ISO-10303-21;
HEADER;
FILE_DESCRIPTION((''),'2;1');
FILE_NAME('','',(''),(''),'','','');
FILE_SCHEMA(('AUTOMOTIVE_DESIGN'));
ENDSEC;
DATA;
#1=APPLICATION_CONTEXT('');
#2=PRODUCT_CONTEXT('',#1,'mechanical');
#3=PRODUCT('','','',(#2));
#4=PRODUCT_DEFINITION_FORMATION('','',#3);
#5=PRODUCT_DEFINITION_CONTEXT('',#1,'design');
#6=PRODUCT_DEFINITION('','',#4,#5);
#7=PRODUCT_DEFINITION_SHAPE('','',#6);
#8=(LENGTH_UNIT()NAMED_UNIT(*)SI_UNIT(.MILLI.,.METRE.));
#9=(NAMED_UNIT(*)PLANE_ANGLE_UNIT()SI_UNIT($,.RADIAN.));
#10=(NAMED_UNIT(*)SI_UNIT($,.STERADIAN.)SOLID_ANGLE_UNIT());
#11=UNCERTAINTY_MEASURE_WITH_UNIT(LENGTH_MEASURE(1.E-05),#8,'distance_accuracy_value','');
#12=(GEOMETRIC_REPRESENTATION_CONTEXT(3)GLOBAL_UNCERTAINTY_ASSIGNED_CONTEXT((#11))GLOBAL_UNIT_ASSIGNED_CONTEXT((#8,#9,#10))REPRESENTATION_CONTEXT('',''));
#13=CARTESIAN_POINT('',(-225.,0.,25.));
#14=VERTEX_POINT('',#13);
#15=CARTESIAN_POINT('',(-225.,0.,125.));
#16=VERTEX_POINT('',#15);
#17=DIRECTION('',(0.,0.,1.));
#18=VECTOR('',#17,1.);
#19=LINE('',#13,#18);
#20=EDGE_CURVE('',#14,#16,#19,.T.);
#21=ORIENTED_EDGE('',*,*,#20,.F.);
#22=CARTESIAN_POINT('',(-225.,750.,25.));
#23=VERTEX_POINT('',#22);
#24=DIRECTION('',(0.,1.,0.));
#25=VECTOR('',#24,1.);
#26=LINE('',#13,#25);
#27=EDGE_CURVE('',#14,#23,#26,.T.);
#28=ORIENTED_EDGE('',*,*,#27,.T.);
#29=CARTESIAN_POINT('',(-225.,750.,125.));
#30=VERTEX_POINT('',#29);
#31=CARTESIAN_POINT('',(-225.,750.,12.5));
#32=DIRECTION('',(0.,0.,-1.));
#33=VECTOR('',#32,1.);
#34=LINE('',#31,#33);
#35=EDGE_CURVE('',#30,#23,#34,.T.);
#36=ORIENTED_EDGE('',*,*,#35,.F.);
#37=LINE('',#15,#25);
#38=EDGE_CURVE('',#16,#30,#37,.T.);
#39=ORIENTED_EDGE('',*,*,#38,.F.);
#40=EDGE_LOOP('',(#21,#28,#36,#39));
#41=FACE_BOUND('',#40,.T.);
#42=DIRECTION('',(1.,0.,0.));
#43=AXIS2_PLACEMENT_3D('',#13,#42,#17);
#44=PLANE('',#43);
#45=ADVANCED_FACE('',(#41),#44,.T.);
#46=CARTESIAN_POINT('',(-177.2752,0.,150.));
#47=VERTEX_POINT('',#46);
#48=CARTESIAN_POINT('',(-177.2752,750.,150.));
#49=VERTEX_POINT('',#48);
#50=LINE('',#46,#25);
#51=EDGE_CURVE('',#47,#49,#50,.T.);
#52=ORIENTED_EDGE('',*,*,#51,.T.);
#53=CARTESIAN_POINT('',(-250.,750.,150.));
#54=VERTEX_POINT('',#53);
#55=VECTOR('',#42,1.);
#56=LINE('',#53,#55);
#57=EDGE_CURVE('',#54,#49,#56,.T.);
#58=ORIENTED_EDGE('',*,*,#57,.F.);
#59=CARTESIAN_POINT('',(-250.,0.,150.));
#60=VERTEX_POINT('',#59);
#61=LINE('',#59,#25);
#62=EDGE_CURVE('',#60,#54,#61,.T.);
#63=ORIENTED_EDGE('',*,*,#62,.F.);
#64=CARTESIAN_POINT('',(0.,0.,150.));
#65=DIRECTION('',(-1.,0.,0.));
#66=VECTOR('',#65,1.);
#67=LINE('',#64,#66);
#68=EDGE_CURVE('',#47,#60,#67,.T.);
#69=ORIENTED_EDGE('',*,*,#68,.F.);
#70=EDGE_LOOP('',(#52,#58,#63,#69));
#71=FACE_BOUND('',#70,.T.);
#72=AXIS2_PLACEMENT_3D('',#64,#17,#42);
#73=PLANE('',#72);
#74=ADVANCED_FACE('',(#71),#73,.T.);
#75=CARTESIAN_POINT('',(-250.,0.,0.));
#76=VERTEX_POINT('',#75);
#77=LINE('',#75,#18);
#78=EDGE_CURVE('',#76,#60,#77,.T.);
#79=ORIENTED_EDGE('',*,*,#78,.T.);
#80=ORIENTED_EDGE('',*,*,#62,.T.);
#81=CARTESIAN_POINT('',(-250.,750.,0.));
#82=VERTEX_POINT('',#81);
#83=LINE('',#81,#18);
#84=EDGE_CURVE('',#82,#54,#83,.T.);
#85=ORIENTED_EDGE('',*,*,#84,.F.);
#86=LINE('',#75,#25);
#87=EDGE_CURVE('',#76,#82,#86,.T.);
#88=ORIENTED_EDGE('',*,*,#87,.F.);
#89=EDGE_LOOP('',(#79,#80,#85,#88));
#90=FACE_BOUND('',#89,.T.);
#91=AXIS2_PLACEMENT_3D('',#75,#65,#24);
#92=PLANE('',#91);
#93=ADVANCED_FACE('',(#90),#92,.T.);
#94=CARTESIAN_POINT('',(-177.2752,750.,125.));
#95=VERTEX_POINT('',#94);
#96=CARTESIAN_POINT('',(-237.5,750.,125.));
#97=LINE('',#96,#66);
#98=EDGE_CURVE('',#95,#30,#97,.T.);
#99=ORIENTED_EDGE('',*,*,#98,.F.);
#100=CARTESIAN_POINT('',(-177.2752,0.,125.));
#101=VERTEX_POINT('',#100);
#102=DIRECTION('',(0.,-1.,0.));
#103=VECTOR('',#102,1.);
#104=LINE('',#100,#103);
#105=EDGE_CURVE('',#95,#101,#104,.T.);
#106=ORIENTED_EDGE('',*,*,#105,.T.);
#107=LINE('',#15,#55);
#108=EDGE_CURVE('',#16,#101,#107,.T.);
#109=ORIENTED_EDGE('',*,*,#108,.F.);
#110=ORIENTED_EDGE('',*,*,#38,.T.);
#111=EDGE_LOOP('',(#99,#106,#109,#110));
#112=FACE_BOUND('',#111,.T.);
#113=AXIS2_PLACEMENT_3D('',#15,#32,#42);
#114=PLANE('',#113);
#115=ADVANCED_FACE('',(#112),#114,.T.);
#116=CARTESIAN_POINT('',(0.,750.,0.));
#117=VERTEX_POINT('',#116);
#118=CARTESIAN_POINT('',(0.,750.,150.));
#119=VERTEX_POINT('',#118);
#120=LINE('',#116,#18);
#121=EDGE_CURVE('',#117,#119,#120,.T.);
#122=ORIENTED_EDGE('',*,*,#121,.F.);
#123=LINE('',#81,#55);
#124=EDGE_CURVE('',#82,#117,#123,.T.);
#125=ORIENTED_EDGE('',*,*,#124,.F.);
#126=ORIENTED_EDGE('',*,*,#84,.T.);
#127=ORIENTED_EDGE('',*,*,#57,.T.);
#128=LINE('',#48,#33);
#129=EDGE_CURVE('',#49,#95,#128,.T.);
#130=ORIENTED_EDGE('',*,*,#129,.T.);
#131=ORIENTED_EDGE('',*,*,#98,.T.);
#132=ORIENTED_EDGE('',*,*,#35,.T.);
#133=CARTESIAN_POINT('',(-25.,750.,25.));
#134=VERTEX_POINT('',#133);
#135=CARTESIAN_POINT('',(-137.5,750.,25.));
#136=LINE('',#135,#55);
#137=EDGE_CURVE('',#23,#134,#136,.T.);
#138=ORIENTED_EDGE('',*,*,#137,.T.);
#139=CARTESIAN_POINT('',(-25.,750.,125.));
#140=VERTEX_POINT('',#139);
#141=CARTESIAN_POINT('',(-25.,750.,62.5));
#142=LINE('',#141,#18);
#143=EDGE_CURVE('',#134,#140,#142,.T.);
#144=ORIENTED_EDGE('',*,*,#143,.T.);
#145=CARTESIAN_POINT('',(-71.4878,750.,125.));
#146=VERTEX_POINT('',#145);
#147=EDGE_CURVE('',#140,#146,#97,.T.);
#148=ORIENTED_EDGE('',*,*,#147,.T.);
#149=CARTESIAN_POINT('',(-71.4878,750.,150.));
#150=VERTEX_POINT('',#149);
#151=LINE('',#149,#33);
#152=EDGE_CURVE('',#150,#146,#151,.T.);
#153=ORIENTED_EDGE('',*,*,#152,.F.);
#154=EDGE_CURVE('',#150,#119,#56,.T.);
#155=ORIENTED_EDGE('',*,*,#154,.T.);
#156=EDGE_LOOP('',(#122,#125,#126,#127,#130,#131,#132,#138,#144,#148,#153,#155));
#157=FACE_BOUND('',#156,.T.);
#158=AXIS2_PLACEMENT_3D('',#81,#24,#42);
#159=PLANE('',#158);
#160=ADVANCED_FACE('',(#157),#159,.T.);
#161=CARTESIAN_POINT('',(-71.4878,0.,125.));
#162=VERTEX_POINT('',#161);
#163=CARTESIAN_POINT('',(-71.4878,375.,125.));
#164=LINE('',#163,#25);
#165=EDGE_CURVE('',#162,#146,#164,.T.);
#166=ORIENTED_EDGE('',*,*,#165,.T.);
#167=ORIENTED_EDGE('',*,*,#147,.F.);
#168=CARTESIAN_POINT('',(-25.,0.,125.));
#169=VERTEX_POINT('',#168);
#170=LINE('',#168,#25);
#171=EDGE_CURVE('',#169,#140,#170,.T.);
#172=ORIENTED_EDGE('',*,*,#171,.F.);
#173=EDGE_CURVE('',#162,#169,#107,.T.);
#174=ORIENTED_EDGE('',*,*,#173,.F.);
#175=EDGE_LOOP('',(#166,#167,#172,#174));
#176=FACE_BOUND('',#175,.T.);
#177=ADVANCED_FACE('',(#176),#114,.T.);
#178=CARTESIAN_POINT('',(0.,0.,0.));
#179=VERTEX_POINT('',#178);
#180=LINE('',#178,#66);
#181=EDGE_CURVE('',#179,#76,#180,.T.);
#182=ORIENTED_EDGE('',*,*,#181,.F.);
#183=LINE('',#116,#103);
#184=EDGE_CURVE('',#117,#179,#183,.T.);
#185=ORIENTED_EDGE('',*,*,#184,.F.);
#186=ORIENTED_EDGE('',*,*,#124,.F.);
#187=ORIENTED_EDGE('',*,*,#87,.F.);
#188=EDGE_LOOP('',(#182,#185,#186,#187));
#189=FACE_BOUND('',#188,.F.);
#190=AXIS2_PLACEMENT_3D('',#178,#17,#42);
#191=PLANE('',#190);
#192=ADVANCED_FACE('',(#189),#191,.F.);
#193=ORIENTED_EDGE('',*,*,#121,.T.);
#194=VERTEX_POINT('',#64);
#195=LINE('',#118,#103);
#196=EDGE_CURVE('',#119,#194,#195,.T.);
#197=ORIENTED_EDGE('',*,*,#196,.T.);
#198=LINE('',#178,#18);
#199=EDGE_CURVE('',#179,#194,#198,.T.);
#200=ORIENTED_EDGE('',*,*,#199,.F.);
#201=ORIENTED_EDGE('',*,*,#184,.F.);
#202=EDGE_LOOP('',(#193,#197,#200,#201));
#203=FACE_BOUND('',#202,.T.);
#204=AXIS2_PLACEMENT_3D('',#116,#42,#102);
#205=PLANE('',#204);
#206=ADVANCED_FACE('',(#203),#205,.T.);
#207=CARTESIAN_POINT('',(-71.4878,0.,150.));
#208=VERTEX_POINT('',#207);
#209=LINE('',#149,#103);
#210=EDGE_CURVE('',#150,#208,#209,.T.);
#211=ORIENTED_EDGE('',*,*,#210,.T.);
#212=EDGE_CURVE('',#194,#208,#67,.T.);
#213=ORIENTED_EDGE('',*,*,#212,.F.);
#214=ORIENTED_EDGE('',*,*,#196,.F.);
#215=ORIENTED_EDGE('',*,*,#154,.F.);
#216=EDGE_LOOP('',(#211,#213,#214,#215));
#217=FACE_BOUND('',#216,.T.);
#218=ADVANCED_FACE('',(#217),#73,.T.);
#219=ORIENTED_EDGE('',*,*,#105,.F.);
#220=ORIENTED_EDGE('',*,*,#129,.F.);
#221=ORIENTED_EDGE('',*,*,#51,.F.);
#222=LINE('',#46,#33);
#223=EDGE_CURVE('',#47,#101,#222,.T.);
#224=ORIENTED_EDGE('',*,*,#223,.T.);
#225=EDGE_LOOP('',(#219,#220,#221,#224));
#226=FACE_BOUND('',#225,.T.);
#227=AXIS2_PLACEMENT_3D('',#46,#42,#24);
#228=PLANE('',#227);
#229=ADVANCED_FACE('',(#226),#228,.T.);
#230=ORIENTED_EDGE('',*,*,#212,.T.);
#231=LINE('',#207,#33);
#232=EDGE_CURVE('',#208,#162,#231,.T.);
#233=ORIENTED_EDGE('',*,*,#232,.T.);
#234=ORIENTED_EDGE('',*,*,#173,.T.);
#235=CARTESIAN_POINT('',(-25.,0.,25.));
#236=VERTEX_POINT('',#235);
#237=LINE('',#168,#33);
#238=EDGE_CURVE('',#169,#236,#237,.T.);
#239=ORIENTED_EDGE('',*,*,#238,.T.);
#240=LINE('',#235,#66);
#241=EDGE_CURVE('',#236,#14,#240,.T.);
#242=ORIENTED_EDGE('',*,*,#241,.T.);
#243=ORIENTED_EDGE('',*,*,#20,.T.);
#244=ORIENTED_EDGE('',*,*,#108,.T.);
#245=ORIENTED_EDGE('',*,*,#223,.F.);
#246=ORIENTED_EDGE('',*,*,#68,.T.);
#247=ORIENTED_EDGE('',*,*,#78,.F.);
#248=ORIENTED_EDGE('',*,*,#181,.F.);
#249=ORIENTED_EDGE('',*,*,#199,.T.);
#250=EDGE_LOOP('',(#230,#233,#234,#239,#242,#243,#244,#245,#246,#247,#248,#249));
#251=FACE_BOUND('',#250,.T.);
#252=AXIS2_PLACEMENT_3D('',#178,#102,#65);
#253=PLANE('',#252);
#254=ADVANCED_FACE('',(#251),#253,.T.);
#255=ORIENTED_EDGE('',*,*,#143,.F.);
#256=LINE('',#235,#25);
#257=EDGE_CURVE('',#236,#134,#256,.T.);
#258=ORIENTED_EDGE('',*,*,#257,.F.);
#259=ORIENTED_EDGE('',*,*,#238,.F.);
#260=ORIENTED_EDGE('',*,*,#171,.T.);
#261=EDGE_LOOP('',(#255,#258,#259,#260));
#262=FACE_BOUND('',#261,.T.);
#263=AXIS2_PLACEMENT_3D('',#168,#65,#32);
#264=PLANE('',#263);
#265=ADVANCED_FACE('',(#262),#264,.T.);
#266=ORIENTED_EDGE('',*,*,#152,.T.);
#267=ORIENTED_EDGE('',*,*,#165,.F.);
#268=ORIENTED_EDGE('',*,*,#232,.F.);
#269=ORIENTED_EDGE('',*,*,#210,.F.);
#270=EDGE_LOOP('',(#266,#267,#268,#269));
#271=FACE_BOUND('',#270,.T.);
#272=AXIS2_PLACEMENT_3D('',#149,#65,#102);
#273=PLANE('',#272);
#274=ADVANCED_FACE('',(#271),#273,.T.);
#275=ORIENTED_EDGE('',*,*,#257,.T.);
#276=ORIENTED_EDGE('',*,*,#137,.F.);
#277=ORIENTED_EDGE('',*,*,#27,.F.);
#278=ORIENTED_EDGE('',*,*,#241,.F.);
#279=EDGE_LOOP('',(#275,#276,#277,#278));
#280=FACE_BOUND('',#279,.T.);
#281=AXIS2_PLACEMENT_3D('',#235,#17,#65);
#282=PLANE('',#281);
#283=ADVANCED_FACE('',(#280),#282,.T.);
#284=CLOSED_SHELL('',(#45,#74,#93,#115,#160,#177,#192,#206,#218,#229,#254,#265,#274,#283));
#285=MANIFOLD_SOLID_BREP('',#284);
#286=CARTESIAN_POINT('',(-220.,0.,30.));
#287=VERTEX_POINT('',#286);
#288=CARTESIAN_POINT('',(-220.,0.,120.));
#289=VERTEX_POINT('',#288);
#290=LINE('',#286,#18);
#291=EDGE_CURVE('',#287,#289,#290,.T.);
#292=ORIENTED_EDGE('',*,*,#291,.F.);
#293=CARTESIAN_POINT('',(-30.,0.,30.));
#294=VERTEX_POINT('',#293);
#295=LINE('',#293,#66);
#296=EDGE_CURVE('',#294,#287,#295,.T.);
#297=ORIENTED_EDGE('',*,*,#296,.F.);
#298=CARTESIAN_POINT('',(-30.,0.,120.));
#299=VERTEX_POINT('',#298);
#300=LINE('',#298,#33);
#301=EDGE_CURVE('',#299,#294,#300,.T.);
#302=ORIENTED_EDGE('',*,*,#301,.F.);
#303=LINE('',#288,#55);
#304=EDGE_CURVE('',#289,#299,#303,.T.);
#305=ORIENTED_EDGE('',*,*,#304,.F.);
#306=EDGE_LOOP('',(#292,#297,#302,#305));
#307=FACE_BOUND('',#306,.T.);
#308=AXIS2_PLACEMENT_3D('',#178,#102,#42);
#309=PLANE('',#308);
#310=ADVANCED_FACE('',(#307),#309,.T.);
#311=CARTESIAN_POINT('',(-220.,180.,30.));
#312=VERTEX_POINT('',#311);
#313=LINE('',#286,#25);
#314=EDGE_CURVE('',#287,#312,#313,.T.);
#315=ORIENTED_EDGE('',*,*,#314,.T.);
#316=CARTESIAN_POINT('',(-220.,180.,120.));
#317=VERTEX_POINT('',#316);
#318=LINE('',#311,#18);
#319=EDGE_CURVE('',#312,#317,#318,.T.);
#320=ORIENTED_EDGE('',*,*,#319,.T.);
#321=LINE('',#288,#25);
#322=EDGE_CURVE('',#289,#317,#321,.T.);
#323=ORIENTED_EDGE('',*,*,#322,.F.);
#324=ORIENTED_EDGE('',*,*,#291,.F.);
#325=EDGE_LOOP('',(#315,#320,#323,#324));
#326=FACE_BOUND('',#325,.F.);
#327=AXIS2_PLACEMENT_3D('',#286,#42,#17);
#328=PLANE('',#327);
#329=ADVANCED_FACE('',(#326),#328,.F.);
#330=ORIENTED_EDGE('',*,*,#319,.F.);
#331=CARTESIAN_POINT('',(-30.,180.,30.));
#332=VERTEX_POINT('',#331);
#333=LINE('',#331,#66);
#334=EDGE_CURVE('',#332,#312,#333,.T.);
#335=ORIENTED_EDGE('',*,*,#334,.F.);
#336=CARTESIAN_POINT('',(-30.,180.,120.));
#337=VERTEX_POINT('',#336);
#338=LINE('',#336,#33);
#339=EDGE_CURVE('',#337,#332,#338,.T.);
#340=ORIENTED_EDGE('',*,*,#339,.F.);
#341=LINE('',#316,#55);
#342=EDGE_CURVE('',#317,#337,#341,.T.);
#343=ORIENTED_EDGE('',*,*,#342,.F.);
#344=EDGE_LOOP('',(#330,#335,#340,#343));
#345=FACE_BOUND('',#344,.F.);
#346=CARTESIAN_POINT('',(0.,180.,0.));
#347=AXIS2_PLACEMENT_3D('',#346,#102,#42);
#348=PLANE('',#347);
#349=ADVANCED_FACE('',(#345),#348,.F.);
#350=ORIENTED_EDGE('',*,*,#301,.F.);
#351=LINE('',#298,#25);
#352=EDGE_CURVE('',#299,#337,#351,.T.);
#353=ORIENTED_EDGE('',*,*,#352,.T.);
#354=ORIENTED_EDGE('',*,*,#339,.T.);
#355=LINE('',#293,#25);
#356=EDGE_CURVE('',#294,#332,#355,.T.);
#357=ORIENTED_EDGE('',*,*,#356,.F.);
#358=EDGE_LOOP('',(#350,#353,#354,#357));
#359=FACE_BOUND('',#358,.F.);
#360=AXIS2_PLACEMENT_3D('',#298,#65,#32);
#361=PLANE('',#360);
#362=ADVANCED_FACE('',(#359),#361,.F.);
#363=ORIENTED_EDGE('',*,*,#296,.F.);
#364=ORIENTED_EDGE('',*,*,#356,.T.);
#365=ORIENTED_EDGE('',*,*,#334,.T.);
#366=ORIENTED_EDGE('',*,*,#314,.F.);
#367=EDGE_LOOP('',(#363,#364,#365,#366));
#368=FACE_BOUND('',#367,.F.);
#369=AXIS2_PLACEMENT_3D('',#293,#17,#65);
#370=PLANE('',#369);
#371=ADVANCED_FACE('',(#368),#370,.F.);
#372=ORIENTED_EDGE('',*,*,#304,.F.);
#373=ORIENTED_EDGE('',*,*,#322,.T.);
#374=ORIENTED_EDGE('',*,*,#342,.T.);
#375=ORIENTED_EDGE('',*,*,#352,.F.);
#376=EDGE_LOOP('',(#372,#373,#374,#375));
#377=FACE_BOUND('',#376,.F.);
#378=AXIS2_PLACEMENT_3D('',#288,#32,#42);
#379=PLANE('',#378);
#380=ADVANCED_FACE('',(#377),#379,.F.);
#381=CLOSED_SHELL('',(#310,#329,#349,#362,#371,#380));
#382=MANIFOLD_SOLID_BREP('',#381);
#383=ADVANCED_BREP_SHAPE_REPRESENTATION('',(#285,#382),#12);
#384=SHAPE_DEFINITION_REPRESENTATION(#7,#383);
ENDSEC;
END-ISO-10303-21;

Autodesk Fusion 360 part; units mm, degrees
sketch "Sketch4" plane through (0, 0, 0) normal (0, 0, 1) x (1, 0, 0)
  line L0 (0, 0) -> (-250, 0)
  line L1 (-250, 0) -> (-250, 750)
  line L2 (-250, 750) -> (0, 750)
  line L3 (0, 750) -> (0, 0)
extrude "Extrude1" add sketch "Sketch4" along normal blind 150 makes body 1
sketch "Sketch5" plane through (0, 0, 0) normal (0, -1, 0) x (1, 0, 0)
  line L0 (-250, 0) -> (0, 0)
  line L1 (0, 0) -> (0, 150)
  line L2 (0, 150) -> (-250, 150)
  line L3 (-250, 150) -> (-250, 0)
  line L4 (-225, 125) -> (-25, 125)
  line L5 (-25, 125) -> (-25, 25)
  line L6 (-25, 25) -> (-225, 25)
  line L7 (-225, 25) -> (-225, 125)
extrude "Extrude2" cut sketch "Sketch5" against normal blind 850 contours L4 L5 L6 L7 bodies 1
sketch "Sketch6" plane through (0, 0, 150) normal (0, 0, 1) x (-1, 0, 0)
  line L0 (0, -750) -> (250, -750)
  line L1 (250, -750) -> (250, 0)
  line L2 (250, 0) -> (0, 0)
  line L3 (0, 0) -> (0, -750)
  line L4 (177.2752, -750) -> (71.4878, -750)
  line L5 (71.4878, -750) -> (71.4878, 0)
  line L6 (71.4878, 0) -> (177.2752, 0)
  line L7 (177.2752, 0) -> (177.2752, -750)
extrude "Extrude3" cut sketch "Sketch6" against normal blind 50 contours L0 L2 L4 L5 L6 L7 bodies 1
sketch "Sketch7" plane through (0, 0, 0) normal (0, -1, 0) x (1, 0, 0)
  line L0 (-177.2752, 125) -> (-177.2752, 150)
  line L1 (-177.2752, 150) -> (-250, 150)
  line L2 (-250, 150) -> (-250, 0)
  line L3 (-250, 0) -> (0, 0)
  line L4 (0, 0) -> (0, 150)
  line L5 (0, 150) -> (-71.4878, 150)
  line L6 (-71.4878, 150) -> (-71.4878, 125)
  line L7 (-71.4878, 125) -> (-25, 125)
  line L8 (-25, 125) -> (-25, 25)
  line L9 (-25, 25) -> (-225, 25)
  line L10 (-225, 25) -> (-225, 125)
  line L11 (-225, 125) -> (-177.2752, 125)
  line L12 (-220, 120) -> (-30, 120)
  line L13 (-30, 120) -> (-30, 30)
  line L14 (-30, 30) -> (-220, 30)
  line L15 (-220, 30) -> (-220, 120)
extrude "Extrude4" add sketch "Sketch7" against normal blind 180 separate body contours L12 L13 L14 L15 makes body 2
copy_body "Body->Comp1" bodies 1 removing the originals makes body 3 in component "Component"
copy_body "Body->Comp2" bodies 2 removing the originals makes body 4 in component "Component'"
component "Component" placed x (1, 0, 0) y (0, 1, 0) z (0, 0, 1) at (0, 0, 0)
component "Component'" placed x (1, 0, 0) y (0, 1, 0) z (0, 0, 1) at (0, 0, 0)
